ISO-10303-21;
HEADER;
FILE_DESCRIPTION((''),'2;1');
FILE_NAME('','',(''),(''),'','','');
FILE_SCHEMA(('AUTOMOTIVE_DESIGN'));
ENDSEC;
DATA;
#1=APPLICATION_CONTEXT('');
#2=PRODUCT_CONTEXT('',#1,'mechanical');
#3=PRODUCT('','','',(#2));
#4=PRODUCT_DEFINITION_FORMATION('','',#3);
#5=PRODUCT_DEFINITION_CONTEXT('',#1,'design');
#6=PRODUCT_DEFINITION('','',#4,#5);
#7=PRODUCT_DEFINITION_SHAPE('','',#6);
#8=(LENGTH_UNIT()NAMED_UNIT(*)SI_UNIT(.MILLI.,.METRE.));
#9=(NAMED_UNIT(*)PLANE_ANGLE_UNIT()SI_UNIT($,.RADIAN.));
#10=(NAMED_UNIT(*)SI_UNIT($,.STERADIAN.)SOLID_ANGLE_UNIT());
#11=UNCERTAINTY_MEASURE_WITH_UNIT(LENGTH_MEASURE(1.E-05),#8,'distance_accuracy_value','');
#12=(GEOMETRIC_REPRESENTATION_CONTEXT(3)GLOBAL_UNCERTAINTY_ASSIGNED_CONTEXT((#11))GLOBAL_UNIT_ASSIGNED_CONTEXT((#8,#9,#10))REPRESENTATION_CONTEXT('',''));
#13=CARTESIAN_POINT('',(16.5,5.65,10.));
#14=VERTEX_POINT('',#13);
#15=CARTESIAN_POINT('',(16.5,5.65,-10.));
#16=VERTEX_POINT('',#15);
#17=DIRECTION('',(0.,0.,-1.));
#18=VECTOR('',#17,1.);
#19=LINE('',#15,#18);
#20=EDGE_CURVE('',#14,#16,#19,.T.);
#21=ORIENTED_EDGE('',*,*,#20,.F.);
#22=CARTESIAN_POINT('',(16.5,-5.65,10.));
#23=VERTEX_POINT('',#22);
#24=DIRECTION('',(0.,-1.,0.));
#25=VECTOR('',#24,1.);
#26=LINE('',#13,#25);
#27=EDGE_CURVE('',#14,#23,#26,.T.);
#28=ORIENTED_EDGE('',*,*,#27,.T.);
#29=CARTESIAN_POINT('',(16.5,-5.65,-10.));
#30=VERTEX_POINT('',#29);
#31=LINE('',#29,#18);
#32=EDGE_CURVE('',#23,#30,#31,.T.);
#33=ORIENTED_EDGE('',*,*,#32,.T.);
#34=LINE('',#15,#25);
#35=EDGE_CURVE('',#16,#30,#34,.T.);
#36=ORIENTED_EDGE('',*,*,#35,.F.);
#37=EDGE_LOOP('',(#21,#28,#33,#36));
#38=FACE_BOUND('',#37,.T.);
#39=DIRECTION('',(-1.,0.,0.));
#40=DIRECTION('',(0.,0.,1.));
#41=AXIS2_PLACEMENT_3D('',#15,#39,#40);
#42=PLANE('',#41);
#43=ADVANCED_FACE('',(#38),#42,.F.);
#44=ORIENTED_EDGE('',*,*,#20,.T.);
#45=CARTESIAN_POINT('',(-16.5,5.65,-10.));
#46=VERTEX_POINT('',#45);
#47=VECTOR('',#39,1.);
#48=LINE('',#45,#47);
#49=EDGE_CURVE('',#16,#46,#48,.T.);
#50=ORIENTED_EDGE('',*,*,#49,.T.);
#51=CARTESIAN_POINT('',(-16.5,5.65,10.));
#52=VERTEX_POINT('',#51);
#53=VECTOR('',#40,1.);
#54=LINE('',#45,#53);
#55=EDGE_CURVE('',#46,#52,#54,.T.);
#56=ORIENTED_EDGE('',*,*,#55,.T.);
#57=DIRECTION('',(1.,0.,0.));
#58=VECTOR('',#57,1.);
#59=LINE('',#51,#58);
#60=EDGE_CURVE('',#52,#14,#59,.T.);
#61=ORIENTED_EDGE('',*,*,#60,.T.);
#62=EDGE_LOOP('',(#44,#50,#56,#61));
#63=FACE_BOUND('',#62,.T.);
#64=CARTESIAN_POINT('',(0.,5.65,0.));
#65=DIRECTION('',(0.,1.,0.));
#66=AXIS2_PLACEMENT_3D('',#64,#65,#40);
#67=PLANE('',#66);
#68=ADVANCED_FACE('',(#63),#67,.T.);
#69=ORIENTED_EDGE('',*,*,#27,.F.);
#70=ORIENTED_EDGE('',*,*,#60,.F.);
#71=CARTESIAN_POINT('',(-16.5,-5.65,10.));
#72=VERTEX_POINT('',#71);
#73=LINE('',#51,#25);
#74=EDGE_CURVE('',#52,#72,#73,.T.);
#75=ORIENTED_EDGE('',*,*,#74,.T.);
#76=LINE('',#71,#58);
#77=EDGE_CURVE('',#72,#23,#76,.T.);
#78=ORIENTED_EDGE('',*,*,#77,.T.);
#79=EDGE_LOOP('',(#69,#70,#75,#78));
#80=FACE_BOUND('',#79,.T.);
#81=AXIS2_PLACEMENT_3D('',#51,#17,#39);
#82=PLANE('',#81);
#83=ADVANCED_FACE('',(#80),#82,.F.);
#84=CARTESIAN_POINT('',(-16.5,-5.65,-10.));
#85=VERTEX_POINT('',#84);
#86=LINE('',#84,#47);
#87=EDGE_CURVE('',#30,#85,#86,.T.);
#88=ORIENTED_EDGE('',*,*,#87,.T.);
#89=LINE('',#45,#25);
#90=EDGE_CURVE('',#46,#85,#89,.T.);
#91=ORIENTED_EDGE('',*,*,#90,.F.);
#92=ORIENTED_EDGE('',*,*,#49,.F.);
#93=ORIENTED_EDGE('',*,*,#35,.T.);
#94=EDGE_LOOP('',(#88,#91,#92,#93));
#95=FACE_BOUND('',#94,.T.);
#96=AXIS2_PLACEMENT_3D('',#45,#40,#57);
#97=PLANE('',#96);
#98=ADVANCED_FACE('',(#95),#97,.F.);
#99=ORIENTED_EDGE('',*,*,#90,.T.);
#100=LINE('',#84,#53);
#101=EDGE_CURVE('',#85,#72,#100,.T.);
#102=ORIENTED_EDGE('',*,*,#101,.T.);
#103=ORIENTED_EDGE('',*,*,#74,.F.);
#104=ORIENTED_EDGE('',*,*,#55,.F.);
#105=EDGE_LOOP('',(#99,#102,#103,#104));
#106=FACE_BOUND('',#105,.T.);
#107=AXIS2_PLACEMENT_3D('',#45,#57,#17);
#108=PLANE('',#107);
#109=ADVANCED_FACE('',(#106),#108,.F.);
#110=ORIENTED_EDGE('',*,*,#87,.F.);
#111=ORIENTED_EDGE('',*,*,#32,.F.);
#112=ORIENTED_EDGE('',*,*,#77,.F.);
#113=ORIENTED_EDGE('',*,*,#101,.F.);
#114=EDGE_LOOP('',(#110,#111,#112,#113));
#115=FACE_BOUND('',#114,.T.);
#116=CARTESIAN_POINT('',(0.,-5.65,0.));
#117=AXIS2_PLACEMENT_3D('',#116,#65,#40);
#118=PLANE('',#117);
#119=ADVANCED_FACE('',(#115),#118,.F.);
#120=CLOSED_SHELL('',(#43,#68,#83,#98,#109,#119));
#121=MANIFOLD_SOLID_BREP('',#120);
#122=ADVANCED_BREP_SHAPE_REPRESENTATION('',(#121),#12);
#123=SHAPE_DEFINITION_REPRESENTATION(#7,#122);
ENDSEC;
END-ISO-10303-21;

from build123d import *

# Parameters (mm, degrees)
SKETCH1_W           = 33
SKETCH1_H           = 20
BOSS_EXTRUDE1_DEPTH = 5.65


with BuildPart() as part:
    # Sketch1 → Boss-Extrude1 (new body, symmetric)
    with BuildSketch(Plane(origin=(0, 0, 0), x_dir=(1, 0, 0), z_dir=(0, 1, 0))):
        Rectangle(SKETCH1_W, SKETCH1_H)
    extrude(amount=BOSS_EXTRUDE1_DEPTH, both=True)


solid = part.part
